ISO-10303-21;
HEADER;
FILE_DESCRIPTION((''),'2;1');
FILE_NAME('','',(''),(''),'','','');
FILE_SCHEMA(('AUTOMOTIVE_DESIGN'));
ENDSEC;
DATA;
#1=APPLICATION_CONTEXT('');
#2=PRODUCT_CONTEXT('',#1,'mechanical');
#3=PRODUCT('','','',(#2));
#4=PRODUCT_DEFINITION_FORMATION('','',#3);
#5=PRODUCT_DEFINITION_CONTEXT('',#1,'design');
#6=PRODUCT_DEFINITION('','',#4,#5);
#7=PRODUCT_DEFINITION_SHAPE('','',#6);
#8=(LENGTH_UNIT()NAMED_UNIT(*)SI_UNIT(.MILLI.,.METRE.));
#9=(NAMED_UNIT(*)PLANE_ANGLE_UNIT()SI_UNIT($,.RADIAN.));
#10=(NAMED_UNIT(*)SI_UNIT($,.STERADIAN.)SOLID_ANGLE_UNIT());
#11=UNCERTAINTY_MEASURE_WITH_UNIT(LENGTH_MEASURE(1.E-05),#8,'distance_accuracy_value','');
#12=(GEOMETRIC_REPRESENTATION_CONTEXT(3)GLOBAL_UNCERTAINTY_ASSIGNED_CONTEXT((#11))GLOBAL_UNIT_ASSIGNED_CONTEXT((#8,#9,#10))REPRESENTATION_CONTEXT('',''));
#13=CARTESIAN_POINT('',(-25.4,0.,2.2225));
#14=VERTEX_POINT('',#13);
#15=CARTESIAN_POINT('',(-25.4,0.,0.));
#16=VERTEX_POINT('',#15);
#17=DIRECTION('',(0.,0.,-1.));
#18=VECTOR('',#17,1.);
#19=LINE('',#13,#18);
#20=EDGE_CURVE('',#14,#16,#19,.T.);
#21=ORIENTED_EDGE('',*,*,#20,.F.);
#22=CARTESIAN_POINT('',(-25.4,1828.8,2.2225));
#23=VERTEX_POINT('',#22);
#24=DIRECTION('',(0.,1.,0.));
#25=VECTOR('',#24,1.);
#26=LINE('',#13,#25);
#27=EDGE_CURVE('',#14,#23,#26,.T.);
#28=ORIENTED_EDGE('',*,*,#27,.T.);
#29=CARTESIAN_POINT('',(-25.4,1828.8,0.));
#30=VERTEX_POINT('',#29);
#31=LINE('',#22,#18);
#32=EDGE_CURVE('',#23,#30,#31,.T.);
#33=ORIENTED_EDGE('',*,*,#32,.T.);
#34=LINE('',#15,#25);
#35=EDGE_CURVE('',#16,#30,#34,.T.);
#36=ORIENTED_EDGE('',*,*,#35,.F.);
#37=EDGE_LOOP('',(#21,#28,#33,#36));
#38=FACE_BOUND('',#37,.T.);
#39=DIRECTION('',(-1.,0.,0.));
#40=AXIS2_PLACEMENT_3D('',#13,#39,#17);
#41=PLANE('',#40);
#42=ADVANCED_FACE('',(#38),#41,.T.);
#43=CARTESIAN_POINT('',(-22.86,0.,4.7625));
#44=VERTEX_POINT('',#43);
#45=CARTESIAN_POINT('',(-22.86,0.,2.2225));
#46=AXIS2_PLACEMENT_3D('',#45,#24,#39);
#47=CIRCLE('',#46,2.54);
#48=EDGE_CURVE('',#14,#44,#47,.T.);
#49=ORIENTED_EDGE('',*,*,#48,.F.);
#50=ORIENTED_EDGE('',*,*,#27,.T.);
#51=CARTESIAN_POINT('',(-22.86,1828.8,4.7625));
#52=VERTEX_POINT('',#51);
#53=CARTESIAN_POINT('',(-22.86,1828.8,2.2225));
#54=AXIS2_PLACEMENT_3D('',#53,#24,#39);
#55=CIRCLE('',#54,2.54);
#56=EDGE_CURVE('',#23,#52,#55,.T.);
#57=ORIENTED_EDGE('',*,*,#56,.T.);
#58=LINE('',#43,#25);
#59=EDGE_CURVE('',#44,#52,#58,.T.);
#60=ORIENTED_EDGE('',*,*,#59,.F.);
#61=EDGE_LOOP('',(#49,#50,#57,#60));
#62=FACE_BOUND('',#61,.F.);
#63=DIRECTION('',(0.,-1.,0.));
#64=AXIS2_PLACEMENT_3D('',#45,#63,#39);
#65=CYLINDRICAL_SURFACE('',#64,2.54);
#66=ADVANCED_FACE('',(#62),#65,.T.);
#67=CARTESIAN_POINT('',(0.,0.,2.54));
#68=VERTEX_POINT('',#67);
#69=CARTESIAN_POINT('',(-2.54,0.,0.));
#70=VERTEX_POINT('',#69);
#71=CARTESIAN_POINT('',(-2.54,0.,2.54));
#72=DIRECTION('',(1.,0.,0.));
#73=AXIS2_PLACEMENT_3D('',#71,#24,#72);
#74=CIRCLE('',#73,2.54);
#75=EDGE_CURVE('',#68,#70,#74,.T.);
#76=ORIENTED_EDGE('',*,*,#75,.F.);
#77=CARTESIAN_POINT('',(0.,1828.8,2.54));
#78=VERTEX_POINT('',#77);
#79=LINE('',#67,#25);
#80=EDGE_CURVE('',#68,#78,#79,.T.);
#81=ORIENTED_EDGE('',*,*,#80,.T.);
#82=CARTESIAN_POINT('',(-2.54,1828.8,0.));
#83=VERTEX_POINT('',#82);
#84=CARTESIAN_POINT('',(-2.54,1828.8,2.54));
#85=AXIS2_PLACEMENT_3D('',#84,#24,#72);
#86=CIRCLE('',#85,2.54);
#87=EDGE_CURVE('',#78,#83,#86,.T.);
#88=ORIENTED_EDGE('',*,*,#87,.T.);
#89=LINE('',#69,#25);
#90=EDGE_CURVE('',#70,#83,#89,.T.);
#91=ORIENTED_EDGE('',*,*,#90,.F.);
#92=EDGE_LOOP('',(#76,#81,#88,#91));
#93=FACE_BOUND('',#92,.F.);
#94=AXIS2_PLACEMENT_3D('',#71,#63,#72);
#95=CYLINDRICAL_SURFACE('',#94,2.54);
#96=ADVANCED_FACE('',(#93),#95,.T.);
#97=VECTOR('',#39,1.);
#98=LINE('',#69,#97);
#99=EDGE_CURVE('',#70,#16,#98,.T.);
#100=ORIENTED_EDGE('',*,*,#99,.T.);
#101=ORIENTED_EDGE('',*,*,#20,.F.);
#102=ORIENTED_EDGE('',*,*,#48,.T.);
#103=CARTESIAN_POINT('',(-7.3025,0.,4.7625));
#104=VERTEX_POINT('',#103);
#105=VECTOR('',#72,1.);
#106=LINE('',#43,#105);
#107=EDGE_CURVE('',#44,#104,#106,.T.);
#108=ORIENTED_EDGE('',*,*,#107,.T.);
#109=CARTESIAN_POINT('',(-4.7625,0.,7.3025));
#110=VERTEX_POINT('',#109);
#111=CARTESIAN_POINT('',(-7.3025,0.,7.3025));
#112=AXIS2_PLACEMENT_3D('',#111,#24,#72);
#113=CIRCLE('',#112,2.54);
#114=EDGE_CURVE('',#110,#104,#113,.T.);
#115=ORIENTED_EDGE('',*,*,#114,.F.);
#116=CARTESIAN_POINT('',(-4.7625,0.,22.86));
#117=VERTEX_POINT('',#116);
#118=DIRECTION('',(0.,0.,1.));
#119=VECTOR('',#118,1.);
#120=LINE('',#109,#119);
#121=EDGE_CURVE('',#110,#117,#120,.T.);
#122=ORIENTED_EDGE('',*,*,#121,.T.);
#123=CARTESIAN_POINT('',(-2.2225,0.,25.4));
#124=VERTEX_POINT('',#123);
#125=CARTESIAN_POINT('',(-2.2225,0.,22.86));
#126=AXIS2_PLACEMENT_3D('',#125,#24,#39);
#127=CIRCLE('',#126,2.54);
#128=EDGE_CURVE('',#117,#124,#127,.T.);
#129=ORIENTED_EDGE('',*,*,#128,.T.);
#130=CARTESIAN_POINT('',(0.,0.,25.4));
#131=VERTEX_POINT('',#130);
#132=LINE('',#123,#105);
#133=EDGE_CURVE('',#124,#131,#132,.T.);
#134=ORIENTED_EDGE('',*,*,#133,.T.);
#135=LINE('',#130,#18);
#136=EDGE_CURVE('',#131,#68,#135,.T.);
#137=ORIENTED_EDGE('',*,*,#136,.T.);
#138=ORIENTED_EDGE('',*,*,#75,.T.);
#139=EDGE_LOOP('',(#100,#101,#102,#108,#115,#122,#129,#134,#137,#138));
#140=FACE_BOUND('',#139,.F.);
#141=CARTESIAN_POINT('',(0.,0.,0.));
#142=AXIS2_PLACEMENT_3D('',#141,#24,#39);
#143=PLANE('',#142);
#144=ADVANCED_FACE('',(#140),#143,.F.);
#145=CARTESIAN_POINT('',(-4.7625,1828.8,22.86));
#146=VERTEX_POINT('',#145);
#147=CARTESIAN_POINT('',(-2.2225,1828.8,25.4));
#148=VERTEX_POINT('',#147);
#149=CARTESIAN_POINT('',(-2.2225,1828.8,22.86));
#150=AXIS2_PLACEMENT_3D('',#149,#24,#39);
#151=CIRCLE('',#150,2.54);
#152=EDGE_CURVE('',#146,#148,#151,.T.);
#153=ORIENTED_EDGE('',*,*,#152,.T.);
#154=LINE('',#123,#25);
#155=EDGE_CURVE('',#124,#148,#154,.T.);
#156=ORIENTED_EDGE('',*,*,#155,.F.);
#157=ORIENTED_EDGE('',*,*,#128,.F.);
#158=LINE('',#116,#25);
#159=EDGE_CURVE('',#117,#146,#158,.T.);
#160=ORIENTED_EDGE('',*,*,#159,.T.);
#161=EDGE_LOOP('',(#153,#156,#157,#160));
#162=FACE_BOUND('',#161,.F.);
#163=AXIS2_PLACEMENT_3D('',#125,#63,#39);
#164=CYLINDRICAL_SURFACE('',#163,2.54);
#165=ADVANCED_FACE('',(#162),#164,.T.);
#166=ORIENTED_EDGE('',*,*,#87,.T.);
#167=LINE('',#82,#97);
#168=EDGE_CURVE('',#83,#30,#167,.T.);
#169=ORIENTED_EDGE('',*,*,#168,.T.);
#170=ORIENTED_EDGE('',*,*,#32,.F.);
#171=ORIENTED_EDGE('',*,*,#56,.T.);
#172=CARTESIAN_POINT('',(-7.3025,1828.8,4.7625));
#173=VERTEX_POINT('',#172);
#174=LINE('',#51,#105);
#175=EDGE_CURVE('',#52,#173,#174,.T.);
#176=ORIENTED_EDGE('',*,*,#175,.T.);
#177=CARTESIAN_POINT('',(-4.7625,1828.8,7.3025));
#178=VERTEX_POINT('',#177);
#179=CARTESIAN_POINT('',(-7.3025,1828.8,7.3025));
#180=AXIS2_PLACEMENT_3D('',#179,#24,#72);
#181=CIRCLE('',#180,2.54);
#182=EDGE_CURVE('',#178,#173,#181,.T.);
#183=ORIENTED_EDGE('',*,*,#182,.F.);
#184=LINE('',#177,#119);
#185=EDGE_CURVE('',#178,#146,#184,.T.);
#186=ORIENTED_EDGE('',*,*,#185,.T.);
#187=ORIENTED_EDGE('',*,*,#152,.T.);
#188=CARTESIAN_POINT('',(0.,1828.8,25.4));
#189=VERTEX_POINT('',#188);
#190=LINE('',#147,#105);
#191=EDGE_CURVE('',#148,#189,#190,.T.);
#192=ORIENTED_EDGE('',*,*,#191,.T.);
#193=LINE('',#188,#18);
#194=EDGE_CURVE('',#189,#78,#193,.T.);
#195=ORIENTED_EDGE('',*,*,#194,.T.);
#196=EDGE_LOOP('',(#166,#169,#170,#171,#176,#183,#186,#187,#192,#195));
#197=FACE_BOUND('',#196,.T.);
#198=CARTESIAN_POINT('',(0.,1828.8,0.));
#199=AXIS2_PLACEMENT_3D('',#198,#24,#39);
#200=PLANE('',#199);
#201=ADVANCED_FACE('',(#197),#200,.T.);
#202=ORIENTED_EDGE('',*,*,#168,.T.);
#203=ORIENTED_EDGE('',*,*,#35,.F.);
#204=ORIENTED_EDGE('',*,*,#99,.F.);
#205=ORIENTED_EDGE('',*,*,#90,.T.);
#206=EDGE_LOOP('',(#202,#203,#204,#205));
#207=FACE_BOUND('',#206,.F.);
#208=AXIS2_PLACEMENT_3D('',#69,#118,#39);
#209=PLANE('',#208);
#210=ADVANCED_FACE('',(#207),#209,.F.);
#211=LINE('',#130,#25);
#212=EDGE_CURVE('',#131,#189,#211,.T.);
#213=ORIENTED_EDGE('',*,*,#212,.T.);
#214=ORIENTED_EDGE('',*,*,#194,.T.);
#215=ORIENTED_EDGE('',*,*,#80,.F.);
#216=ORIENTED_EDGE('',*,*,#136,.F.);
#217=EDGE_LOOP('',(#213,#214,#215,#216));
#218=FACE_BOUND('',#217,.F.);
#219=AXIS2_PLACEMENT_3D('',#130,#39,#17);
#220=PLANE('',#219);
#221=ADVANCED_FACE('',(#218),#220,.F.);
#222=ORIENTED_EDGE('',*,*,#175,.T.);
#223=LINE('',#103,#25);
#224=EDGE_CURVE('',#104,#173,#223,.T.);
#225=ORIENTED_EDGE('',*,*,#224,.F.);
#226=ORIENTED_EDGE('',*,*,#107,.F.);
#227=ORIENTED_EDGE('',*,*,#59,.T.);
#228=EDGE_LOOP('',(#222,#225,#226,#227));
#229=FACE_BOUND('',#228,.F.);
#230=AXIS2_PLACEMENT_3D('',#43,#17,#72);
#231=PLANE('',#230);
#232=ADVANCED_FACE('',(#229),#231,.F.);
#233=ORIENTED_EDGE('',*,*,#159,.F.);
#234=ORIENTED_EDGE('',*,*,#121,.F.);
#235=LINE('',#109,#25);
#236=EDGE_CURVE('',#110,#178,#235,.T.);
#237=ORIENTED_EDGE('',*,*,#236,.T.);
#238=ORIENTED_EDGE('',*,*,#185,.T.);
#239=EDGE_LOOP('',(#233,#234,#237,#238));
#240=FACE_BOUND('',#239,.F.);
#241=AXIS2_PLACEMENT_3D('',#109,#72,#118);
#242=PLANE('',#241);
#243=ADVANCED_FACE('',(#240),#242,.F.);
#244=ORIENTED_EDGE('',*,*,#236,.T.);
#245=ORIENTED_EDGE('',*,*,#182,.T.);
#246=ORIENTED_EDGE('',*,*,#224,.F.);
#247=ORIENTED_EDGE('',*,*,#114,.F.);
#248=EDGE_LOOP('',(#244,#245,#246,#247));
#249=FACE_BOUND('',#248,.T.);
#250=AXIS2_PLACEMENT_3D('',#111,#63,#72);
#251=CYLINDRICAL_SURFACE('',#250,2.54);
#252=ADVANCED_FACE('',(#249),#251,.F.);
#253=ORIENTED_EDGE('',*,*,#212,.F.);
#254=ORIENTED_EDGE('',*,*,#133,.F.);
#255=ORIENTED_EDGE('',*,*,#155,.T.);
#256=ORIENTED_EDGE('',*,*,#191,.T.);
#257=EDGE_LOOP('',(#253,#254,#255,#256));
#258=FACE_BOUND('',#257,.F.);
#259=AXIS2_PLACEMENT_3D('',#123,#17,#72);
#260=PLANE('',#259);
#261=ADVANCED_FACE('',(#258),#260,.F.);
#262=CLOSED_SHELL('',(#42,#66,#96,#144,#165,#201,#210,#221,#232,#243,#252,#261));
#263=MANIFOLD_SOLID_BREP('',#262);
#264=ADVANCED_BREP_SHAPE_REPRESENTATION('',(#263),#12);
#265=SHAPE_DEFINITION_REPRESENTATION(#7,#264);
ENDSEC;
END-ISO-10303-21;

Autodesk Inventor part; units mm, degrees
ref_plane "YZ Plane" through (0, 0, 0) normal (1, 0, 0) x (0, 1, 0)
ref_plane "XZ Plane" through (0, 0, 0) normal (0, 1, 0) x (-1, 0, 0)
ref_plane "XY Plane" through (0, 0, 0) normal (0, 0, 1) x (1, 0, 0)
sketch "Sketch1" plane through (0, 0, 0) normal (0, 1, 0) x (-1, 0, 0)
  line L0 (2.54, 0) -> (25.4, 0)
  line L1 (0, 25.4) -> (0, 2.54)
  line L2 (22.86, 4.7625) -> (7.3025, 4.7625)
  line L3 (4.7625, 7.3025) -> (4.7625, 22.86)
  line L4 (2.2225, 25.4) -> (0, 25.4)
  line L5 (25.4, 2.2225) -> (25.4, 0)
  arc A0 (4.7625, 7.3025) -> (7.3025, 4.7625) centre (7.3025, 7.3025) ccw
  arc A1 (4.7625, 22.86) -> (2.2225, 25.4) centre (2.2225, 22.86) ccw
  arc A2 (0, 2.54) -> (2.54, 0) centre (2.54, 2.54) ccw
  arc A3 (25.4, 2.2225) -> (22.86, 4.7625) centre (22.86, 2.2225) ccw
  point P0 (0, 0)
  dimension "d2" = 4.7625
  dimension "d3" = 25.4
  dimension "d4" = 25.4
  dimension "d5" = 2.54
extrude "Angle Iron Template" add sketch "Sketch1" along normal blind 1828.8
properties part number "legs-b_t"
